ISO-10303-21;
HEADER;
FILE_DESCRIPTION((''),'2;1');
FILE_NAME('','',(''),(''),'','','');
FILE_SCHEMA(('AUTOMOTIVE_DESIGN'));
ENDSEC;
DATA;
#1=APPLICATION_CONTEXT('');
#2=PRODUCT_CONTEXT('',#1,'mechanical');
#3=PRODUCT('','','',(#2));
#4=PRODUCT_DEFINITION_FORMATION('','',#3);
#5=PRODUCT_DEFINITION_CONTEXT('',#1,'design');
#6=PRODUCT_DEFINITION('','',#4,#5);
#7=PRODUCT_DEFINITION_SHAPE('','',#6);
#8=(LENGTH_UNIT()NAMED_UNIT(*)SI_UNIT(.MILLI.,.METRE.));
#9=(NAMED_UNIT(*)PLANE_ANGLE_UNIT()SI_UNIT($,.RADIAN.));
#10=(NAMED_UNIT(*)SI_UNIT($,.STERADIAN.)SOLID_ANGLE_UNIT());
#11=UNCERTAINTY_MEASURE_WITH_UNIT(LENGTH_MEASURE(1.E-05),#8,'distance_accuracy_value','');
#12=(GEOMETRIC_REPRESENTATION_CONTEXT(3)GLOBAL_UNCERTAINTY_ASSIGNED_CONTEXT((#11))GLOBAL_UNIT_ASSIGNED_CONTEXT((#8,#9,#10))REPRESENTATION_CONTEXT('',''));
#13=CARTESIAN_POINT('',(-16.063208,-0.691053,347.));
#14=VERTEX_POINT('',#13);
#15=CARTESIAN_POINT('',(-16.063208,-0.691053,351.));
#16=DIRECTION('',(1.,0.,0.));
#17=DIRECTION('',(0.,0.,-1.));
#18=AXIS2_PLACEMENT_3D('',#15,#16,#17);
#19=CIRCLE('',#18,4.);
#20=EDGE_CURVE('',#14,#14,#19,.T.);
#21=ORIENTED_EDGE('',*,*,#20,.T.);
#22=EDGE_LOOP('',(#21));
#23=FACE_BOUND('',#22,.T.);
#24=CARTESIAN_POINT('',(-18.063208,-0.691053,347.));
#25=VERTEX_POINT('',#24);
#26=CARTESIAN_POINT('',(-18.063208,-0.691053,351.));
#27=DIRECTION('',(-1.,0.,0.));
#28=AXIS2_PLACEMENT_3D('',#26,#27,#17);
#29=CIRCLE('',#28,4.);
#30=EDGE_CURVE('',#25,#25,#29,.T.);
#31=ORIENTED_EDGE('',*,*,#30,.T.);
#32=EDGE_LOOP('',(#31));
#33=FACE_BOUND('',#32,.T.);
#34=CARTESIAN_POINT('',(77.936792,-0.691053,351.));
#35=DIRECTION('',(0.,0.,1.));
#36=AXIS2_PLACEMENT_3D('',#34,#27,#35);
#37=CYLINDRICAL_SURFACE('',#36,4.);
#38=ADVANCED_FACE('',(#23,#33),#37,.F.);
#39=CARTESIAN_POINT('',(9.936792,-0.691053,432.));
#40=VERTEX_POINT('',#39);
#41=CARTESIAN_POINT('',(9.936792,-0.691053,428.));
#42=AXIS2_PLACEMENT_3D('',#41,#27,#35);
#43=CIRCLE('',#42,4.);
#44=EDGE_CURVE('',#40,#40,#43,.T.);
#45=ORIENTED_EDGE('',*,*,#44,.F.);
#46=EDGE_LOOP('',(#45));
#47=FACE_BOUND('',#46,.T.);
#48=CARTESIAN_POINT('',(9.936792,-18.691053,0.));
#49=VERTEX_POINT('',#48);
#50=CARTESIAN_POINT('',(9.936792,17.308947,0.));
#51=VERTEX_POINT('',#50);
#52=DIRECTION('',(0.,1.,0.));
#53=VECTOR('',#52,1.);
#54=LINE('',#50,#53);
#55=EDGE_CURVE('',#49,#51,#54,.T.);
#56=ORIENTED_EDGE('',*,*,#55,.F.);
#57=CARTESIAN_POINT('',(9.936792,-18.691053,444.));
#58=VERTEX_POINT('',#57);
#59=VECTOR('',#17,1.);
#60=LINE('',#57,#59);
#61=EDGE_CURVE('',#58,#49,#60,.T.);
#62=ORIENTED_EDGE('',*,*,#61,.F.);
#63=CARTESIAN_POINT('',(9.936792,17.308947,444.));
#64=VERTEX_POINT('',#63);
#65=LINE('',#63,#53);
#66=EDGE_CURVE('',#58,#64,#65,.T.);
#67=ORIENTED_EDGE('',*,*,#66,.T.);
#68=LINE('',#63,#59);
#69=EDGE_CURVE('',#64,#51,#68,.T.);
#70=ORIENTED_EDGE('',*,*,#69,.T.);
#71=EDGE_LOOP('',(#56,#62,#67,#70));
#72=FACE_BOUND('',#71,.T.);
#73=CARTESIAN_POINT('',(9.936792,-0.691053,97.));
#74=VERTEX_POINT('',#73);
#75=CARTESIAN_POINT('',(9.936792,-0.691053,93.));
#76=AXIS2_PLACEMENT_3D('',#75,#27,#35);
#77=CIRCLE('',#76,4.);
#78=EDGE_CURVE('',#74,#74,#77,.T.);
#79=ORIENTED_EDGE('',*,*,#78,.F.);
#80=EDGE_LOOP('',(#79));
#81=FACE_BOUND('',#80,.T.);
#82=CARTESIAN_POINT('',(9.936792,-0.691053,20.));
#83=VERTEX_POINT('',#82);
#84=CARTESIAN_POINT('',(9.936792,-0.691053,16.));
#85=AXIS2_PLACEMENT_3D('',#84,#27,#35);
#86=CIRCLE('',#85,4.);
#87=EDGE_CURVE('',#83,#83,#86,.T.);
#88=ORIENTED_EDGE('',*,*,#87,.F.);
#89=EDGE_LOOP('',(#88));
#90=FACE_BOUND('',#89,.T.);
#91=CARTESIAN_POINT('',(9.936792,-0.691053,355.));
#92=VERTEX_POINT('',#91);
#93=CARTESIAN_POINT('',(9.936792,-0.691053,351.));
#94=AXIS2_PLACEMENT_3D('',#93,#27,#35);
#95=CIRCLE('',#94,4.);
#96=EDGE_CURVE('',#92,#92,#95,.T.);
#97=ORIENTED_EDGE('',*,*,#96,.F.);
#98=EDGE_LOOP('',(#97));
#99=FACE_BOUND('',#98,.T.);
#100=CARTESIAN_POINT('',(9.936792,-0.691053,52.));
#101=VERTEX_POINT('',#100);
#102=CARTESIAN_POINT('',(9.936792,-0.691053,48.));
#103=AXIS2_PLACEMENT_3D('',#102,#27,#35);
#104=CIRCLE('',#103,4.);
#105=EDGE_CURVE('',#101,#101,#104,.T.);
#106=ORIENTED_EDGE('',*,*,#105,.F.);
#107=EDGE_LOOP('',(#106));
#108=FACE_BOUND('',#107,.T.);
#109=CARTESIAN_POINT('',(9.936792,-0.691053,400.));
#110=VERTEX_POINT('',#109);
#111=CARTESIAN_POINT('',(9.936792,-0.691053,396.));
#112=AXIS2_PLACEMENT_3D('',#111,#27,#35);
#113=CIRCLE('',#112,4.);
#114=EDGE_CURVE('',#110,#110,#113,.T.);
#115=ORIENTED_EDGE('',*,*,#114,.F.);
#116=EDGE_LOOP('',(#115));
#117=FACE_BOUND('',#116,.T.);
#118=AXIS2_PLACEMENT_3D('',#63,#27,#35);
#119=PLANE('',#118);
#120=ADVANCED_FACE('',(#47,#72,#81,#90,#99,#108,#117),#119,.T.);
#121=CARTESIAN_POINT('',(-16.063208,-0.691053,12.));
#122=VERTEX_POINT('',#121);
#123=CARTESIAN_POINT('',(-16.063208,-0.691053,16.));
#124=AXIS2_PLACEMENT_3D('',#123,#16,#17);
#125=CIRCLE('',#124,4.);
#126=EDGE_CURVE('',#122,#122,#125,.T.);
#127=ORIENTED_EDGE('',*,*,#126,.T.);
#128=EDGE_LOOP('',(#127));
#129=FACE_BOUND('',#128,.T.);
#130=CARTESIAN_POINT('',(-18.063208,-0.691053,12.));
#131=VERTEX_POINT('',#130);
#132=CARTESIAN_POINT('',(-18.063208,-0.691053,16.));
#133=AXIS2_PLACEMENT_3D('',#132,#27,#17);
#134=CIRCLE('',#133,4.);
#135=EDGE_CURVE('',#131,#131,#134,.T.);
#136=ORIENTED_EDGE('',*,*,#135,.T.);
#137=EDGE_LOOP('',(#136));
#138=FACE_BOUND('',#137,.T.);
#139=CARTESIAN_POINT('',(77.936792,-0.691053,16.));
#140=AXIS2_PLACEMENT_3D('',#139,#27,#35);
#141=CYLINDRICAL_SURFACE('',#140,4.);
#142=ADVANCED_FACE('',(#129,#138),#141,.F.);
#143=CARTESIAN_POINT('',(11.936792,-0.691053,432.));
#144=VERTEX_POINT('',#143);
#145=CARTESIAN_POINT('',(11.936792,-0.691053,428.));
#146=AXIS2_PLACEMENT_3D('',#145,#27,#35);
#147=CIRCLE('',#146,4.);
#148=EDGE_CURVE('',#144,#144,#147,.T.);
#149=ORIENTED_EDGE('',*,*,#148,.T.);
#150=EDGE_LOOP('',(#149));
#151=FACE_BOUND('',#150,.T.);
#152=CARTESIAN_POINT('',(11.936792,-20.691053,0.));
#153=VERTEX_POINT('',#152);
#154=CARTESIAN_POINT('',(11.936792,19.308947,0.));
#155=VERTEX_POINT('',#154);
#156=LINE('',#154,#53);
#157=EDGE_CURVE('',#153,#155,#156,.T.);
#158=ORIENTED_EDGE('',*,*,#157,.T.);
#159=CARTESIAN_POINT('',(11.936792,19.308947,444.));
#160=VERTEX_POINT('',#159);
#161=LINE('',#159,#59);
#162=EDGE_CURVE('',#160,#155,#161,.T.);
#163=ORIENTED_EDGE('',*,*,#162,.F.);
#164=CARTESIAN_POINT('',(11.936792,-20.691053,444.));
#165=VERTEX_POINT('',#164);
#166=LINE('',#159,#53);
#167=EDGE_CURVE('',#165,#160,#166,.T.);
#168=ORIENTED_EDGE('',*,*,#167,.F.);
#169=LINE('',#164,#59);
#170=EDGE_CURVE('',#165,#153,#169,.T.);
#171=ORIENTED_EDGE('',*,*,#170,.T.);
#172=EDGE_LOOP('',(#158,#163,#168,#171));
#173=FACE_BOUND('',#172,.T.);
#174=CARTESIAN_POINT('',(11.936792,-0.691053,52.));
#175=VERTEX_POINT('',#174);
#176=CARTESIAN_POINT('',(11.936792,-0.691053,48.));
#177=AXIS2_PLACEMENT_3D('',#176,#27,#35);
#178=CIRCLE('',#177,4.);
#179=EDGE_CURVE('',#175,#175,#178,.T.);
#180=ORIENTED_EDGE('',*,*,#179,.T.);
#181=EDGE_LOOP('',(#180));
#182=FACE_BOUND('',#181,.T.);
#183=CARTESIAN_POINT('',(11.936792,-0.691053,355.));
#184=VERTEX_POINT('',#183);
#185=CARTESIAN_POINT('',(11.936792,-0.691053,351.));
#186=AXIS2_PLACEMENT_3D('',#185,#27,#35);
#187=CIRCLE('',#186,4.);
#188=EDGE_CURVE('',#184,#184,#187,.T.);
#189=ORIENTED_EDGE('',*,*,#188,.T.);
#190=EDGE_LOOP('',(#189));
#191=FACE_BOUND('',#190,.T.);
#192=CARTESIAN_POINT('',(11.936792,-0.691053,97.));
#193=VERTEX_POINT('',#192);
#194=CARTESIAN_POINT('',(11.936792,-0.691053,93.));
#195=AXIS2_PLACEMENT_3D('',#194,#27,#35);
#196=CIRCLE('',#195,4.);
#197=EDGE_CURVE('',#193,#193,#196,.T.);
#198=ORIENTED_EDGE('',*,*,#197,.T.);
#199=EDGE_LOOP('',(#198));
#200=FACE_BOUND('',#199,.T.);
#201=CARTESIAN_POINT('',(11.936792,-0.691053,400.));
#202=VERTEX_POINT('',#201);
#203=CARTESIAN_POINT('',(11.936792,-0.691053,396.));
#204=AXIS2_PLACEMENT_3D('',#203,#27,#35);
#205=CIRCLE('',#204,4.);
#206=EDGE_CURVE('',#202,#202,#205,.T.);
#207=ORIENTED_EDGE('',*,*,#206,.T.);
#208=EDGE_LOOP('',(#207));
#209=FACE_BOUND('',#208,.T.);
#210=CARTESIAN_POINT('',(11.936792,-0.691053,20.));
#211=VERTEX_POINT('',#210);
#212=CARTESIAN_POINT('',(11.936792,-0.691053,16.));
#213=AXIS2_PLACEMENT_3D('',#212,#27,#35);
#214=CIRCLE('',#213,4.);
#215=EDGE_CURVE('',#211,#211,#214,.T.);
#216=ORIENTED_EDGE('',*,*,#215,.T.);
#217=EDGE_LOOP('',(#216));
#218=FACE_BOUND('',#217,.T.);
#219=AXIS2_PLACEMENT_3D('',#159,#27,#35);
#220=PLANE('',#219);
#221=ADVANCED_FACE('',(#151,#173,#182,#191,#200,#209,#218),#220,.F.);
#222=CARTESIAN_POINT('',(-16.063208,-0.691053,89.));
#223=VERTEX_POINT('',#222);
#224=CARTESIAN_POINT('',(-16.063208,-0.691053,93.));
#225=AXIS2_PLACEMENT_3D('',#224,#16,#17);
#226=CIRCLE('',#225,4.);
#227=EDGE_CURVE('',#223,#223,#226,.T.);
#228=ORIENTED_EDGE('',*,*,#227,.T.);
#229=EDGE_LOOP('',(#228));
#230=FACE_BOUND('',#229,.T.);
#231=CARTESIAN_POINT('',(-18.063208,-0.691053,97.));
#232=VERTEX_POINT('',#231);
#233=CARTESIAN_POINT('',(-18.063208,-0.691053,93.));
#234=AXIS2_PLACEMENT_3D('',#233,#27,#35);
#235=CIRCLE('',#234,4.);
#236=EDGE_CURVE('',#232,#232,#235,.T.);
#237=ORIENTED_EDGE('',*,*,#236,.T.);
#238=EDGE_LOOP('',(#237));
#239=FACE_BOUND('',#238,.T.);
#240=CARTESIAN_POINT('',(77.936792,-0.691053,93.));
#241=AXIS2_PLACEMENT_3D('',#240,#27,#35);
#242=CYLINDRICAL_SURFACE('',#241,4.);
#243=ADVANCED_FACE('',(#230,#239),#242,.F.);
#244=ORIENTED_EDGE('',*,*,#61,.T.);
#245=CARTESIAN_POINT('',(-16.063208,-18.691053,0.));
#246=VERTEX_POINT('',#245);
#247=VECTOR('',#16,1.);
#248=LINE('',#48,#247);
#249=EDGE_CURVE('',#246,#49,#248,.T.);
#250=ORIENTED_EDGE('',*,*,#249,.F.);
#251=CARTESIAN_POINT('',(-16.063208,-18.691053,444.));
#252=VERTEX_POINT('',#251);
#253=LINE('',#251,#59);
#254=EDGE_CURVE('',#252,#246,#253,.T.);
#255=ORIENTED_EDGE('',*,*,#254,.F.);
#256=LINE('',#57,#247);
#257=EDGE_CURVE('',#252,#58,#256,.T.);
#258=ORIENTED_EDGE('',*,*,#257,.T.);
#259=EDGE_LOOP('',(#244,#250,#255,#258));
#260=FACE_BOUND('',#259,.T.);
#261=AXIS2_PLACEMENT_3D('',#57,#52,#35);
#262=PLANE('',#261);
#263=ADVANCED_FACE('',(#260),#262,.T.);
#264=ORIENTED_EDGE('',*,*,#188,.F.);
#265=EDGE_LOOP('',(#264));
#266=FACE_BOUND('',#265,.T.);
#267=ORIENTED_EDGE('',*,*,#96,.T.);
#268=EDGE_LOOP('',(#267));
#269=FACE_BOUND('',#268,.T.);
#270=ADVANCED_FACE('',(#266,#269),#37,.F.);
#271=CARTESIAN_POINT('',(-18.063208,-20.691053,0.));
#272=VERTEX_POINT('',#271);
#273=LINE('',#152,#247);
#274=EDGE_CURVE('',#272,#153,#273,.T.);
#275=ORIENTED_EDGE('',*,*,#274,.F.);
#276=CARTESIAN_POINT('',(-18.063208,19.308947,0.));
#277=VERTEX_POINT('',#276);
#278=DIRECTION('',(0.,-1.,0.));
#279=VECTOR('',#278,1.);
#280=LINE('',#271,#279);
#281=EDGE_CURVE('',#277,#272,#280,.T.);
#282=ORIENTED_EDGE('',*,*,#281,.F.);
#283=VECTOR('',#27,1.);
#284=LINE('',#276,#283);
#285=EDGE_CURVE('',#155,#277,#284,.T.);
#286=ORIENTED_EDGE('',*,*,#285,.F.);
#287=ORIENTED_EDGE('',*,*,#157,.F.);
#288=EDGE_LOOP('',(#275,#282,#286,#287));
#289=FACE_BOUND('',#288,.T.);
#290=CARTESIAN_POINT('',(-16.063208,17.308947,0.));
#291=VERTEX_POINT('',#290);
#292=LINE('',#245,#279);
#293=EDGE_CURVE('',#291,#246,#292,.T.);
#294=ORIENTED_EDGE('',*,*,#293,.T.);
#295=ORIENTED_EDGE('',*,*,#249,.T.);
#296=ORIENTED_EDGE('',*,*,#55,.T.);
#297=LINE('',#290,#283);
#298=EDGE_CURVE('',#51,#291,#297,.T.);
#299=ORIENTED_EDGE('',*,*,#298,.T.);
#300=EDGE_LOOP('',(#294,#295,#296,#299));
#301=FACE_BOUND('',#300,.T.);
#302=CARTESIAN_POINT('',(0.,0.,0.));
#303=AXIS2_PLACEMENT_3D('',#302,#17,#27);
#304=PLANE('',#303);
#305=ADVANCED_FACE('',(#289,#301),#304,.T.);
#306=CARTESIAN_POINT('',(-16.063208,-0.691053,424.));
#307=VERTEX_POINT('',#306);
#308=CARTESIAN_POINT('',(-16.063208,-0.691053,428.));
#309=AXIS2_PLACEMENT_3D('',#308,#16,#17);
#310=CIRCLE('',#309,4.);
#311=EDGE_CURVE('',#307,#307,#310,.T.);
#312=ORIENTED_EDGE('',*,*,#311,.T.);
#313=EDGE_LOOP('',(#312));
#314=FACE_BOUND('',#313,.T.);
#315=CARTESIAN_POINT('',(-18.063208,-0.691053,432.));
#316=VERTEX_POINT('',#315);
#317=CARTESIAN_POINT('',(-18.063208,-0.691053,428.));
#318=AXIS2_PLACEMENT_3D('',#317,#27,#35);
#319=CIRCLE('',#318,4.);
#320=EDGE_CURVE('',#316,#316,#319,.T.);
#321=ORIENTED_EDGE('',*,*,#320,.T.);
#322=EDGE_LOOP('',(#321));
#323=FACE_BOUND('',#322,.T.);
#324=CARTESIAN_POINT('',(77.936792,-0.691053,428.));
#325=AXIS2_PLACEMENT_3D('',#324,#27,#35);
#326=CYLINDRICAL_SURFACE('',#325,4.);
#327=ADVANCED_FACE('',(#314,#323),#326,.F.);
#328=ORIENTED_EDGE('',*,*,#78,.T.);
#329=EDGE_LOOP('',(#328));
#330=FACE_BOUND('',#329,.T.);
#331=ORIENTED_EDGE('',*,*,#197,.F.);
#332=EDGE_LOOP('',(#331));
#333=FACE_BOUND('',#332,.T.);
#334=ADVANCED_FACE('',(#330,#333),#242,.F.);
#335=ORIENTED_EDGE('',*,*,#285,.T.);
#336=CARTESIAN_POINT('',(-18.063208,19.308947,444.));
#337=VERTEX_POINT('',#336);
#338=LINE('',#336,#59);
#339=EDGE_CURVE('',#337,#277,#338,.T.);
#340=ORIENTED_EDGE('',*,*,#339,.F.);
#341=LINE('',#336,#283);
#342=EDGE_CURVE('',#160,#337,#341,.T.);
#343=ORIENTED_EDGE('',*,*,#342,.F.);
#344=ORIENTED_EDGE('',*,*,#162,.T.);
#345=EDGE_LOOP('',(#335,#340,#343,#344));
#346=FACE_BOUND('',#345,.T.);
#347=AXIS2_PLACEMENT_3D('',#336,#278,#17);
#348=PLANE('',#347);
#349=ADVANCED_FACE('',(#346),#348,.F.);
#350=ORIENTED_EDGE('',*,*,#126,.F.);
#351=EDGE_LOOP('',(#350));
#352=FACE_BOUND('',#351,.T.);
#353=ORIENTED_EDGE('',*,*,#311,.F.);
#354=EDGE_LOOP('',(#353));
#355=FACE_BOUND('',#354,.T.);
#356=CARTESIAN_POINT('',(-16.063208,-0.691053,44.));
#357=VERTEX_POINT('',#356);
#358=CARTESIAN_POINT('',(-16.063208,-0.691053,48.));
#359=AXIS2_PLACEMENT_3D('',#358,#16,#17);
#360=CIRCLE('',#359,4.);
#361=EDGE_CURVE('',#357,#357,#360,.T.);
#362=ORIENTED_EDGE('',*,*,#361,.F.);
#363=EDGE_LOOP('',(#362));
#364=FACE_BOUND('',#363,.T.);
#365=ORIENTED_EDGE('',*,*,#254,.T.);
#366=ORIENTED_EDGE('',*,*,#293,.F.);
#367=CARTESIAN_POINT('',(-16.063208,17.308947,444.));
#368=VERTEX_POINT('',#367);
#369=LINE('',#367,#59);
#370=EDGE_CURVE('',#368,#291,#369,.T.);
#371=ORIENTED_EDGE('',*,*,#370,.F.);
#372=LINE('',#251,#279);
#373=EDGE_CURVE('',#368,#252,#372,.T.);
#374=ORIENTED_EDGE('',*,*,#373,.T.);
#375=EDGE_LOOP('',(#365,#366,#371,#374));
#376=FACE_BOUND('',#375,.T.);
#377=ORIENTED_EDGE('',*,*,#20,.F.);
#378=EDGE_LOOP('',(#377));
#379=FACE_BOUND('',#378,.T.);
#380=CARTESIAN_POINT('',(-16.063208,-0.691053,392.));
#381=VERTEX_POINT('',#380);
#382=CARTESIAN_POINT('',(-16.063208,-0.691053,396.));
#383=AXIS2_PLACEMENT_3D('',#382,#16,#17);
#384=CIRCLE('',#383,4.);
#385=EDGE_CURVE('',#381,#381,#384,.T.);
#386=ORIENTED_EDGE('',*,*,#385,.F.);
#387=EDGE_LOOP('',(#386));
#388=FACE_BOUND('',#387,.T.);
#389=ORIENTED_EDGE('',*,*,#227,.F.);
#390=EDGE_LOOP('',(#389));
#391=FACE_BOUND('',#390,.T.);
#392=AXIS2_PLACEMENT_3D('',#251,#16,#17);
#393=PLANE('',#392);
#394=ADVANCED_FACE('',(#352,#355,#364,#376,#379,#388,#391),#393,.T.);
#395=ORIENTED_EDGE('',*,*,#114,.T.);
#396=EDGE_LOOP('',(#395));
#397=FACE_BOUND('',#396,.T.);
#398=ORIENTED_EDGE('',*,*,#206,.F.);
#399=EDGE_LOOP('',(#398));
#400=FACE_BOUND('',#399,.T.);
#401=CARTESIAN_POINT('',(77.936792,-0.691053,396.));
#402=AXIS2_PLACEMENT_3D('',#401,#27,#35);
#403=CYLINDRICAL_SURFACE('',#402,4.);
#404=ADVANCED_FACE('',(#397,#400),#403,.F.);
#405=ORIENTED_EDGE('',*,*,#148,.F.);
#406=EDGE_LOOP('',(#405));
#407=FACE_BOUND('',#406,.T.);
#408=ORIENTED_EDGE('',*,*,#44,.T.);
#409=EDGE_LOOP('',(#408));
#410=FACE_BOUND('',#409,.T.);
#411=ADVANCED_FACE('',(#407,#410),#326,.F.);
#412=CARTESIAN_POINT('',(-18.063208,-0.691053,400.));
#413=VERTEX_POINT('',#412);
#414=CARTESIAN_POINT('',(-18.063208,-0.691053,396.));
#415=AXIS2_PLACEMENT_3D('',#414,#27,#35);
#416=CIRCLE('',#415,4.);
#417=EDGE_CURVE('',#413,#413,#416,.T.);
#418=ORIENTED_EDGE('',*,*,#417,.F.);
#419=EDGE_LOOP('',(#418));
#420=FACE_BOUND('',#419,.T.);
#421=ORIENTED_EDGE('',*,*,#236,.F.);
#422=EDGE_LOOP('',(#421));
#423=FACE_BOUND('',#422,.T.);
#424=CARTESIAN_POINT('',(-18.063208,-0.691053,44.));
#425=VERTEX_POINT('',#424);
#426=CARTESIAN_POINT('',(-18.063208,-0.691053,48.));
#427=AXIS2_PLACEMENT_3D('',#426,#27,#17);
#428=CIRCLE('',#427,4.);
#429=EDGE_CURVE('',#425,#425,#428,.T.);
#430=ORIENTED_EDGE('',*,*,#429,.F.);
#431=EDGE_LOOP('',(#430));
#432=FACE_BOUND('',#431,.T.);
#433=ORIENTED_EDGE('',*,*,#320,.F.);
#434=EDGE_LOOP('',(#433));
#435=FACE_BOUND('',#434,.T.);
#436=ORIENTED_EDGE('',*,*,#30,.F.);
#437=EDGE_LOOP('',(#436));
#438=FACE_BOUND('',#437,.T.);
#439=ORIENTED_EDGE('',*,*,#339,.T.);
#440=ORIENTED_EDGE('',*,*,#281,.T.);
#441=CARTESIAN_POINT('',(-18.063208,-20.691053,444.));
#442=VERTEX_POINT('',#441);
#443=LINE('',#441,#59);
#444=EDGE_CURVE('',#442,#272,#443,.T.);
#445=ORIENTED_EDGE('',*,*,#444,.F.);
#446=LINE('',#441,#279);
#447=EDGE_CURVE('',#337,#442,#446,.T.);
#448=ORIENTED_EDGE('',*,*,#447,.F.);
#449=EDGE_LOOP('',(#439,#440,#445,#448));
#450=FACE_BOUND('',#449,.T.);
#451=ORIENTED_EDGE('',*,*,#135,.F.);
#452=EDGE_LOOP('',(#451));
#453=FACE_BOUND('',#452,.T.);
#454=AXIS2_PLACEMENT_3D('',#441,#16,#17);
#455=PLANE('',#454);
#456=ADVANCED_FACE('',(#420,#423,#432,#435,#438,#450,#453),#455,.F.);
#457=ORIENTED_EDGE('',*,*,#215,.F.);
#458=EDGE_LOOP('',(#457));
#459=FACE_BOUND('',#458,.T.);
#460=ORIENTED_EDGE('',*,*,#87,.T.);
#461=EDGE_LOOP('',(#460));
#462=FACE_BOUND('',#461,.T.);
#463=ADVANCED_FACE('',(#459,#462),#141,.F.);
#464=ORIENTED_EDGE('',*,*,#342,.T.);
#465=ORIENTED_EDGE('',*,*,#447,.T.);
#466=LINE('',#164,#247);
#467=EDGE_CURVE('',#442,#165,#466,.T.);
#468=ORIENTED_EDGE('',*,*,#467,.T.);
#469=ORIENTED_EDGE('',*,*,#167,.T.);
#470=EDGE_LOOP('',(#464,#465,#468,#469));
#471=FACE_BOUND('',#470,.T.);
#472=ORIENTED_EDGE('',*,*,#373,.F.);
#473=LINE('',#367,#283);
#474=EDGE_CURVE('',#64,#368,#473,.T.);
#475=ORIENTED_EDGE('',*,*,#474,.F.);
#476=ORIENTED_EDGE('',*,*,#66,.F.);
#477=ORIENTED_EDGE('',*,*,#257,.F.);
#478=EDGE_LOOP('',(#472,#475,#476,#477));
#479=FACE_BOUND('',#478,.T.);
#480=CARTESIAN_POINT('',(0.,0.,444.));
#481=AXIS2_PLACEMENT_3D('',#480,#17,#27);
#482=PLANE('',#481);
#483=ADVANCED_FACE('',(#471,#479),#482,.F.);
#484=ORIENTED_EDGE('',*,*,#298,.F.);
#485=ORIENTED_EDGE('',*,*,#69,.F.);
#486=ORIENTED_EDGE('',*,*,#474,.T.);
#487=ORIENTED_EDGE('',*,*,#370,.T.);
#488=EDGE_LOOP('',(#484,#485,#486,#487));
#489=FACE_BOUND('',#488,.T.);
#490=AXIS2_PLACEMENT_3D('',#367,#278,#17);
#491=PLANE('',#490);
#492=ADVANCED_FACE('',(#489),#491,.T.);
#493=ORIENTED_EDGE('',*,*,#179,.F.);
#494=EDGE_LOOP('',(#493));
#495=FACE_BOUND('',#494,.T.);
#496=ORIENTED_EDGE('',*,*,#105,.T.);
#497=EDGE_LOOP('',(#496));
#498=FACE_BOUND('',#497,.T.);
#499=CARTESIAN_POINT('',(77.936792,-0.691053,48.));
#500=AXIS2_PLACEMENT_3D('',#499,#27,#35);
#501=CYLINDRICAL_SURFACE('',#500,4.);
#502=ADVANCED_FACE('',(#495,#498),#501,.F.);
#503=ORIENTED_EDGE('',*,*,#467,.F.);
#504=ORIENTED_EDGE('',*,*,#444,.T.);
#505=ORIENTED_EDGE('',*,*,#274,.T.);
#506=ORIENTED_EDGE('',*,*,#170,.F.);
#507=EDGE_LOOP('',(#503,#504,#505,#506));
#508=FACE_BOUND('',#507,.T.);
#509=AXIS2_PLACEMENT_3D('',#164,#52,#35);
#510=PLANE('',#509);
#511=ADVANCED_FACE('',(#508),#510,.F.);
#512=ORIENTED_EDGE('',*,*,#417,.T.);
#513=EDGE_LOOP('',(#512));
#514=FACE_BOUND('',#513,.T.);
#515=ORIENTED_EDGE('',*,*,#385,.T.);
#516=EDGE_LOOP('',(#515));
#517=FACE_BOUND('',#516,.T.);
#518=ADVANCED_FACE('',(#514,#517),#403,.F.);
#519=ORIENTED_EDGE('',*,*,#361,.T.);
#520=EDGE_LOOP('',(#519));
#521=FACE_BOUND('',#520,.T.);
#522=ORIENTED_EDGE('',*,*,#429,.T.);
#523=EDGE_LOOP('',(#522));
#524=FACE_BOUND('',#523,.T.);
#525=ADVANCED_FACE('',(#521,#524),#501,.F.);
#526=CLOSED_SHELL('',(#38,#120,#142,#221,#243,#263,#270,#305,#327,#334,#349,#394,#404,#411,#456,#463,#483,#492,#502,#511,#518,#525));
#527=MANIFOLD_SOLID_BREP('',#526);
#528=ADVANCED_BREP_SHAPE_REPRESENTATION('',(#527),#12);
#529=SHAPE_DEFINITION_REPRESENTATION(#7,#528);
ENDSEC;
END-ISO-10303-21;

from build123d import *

# Parameters (mm, degrees)
SKETCH_1_W          = 30
SKETCH_1_H          = 40
SKETCH_1_W_2        = 26
SKETCH_1_H_2        = 36
EXTRUDE_1_DEPTH     = 444
SKETCH_2_R          = 4
CUT_EXTRUDE_1_DEPTH = 96


with BuildPart() as part:
    # 草图1 → 凸台-拉伸1 (new body)
    with BuildSketch(Plane.XY):
        with Locations((-3.063208411, -0.691053078)):
            Rectangle(SKETCH_1_W, SKETCH_1_H)
        with Locations((-3.063208411, -0.691053078)):
            Rectangle(SKETCH_1_W_2, SKETCH_1_H_2, mode=Mode.SUBTRACT)
    extrude(amount=EXTRUDE_1_DEPTH)

    # 草图2 → 切除-拉伸1 (cut)
    with BuildSketch(Plane.ZY.offset(18.063208411)):
        with Locations((396, -0.691053078)):
            Circle(SKETCH_2_R)
        with Locations((428, -0.691053078)):
            Circle(SKETCH_2_R)
        with Locations((16, -0.691053078)):
            Circle(SKETCH_2_R)
        with Locations((48, -0.691053078)):
            Circle(SKETCH_2_R)
        with Locations((93, -0.691053078)):
            Circle(SKETCH_2_R)
        with Locations((351, -0.691053078)):
            Circle(SKETCH_2_R)
    extrude(amount=-CUT_EXTRUDE_1_DEPTH, mode=Mode.SUBTRACT)


solid = part.part
